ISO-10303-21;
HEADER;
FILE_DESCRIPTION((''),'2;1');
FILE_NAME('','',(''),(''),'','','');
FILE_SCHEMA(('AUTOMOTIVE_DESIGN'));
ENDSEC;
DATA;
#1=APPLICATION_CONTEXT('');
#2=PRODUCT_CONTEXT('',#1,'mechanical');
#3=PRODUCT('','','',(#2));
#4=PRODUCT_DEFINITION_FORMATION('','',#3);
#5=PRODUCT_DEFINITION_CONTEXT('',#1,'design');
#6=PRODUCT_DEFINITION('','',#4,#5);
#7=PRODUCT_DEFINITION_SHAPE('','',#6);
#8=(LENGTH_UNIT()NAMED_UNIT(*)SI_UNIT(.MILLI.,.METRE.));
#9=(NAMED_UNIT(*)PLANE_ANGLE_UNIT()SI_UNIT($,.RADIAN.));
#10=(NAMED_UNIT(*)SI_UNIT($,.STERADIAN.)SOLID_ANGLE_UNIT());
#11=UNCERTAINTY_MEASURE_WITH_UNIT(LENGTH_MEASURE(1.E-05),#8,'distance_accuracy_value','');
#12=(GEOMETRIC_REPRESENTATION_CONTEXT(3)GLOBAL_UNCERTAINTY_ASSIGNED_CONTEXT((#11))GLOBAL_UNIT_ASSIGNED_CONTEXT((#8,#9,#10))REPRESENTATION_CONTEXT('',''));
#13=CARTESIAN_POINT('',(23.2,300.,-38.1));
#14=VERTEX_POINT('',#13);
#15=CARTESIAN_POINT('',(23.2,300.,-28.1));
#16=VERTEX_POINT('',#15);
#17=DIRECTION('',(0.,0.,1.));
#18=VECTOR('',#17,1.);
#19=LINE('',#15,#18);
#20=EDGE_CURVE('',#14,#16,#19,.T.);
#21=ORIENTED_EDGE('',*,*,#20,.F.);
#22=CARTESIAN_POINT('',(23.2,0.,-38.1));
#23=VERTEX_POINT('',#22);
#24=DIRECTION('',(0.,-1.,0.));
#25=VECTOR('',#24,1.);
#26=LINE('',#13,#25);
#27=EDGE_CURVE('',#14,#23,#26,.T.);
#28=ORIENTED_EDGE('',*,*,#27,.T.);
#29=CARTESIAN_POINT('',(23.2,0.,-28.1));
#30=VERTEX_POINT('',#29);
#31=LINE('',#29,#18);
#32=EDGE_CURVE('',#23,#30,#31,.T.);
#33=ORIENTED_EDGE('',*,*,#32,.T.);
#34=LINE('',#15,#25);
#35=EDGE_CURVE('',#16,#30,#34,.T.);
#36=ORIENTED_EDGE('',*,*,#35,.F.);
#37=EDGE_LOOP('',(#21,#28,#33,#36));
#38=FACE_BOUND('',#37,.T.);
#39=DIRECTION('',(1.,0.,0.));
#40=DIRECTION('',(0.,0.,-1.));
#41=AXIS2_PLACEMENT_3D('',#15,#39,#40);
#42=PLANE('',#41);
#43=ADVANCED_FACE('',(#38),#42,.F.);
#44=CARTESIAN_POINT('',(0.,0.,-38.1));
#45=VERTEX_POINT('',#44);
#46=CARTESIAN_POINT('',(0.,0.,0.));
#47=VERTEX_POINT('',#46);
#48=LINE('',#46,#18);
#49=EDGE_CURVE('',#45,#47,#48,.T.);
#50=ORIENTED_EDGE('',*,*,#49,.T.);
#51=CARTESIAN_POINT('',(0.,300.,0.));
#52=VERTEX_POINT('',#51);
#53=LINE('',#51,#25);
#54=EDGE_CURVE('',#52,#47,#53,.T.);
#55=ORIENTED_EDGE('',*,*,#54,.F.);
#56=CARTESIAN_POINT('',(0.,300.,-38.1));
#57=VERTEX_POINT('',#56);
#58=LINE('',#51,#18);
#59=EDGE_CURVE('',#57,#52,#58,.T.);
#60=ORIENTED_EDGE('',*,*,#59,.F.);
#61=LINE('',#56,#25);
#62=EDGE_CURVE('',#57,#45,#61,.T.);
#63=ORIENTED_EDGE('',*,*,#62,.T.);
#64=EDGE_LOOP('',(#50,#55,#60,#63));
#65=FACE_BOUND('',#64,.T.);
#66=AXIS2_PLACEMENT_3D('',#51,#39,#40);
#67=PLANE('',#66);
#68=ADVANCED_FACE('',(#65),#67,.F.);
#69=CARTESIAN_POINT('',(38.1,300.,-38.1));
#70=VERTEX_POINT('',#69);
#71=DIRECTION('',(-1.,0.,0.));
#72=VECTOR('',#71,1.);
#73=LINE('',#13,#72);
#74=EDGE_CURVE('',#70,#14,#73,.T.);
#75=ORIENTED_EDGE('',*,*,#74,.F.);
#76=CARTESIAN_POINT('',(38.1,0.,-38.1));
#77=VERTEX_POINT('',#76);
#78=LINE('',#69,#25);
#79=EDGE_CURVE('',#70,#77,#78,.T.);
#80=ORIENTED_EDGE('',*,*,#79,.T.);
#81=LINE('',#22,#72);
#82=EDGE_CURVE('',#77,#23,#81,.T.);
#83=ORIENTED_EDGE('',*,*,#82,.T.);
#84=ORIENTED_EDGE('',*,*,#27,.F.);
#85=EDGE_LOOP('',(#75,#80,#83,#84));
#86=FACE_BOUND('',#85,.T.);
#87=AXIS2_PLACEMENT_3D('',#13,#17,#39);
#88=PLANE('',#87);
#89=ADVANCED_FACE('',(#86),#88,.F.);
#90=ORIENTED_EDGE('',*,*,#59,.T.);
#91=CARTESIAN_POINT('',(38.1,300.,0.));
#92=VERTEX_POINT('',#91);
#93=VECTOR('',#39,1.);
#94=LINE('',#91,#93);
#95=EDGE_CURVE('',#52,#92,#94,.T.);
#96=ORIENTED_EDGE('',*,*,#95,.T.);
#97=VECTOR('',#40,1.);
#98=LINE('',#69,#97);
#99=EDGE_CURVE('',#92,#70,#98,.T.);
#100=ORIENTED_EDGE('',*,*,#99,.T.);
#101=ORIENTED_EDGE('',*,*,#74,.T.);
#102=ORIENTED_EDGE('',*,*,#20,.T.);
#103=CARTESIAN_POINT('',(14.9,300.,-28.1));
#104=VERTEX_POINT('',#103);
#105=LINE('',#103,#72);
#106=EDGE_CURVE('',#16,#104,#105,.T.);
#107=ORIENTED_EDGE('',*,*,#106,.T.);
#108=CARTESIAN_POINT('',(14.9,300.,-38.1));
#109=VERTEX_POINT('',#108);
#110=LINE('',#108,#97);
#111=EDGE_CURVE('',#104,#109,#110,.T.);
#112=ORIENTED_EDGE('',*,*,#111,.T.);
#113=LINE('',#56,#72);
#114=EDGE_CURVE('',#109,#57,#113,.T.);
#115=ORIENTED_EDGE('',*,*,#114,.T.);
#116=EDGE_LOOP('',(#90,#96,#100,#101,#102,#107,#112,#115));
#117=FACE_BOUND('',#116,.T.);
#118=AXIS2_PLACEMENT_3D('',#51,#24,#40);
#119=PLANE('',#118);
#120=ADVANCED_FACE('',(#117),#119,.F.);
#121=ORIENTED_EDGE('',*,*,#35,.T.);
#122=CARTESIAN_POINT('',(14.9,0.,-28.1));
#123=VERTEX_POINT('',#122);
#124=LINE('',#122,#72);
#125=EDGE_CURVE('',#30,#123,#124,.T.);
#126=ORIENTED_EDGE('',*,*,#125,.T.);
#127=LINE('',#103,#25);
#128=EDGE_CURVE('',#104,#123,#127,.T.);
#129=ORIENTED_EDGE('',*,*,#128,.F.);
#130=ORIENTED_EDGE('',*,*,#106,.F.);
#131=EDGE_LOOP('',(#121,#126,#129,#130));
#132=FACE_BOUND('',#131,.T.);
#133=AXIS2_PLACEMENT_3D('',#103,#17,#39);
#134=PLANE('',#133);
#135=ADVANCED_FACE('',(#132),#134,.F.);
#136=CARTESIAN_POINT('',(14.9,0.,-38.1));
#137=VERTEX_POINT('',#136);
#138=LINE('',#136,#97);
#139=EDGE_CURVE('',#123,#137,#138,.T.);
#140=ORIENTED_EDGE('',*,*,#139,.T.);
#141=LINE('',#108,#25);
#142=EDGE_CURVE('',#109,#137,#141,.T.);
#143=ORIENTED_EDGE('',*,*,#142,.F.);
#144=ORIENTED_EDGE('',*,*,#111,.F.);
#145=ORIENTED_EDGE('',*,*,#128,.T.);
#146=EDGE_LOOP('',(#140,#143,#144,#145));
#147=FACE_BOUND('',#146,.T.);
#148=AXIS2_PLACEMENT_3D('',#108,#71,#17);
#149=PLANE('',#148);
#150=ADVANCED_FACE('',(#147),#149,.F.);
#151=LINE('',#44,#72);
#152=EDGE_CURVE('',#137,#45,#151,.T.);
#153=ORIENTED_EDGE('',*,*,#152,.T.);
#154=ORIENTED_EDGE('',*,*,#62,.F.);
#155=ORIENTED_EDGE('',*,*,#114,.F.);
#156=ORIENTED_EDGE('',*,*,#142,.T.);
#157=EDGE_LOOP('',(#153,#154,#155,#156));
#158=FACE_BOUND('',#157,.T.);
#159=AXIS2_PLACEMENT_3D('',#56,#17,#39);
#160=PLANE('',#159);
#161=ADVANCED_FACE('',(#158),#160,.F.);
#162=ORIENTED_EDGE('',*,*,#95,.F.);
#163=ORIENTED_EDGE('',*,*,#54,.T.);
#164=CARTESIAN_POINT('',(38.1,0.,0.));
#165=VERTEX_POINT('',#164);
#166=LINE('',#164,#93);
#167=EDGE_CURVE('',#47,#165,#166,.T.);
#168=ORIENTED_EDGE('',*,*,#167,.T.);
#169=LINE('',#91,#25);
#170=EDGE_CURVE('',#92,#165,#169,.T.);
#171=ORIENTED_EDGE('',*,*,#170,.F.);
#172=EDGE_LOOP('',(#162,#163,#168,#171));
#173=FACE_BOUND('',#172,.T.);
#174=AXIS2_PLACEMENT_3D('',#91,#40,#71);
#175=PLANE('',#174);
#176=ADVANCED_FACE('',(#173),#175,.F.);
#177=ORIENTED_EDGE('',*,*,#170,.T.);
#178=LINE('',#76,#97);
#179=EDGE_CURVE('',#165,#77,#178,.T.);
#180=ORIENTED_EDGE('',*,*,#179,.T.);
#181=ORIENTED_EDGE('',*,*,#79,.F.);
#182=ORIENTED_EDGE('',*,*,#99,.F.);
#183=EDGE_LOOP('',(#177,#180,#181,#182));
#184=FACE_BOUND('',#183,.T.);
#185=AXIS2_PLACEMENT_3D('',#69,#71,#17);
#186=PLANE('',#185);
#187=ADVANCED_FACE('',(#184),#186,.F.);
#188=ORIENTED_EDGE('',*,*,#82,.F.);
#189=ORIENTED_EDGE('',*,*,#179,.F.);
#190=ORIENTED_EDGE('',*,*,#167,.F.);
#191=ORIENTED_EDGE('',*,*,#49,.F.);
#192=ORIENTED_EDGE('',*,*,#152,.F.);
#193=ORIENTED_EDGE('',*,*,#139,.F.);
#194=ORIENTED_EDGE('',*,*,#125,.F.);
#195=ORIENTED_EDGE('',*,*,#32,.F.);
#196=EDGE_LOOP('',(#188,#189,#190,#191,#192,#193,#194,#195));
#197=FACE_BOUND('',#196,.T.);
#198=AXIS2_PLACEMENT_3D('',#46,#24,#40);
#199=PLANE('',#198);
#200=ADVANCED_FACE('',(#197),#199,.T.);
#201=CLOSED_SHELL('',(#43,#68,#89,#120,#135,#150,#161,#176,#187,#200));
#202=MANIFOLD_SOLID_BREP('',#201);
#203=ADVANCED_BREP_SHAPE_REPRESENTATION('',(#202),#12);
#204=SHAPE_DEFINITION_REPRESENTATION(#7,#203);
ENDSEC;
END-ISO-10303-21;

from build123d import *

# Parameters (mm, degrees)
BOSS_EXTRU_1_DEPTH = 300


with BuildPart() as part:
    # Esquisse1 → Boss.-Extru.1 (new body)
    with BuildSketch(Plane(origin=(0, 0, 0), x_dir=(1, 0, 0), z_dir=(0, 1, 0))):
        Polygon((0, 0), (0, 38.1), (14.9, 38.1), (14.9, 28.1), (23.2, 28.1), (23.2, 38.1), (38.1, 38.1), (38.1, 0), align=None)
    extrude(amount=BOSS_EXTRU_1_DEPTH)


solid = part.part
